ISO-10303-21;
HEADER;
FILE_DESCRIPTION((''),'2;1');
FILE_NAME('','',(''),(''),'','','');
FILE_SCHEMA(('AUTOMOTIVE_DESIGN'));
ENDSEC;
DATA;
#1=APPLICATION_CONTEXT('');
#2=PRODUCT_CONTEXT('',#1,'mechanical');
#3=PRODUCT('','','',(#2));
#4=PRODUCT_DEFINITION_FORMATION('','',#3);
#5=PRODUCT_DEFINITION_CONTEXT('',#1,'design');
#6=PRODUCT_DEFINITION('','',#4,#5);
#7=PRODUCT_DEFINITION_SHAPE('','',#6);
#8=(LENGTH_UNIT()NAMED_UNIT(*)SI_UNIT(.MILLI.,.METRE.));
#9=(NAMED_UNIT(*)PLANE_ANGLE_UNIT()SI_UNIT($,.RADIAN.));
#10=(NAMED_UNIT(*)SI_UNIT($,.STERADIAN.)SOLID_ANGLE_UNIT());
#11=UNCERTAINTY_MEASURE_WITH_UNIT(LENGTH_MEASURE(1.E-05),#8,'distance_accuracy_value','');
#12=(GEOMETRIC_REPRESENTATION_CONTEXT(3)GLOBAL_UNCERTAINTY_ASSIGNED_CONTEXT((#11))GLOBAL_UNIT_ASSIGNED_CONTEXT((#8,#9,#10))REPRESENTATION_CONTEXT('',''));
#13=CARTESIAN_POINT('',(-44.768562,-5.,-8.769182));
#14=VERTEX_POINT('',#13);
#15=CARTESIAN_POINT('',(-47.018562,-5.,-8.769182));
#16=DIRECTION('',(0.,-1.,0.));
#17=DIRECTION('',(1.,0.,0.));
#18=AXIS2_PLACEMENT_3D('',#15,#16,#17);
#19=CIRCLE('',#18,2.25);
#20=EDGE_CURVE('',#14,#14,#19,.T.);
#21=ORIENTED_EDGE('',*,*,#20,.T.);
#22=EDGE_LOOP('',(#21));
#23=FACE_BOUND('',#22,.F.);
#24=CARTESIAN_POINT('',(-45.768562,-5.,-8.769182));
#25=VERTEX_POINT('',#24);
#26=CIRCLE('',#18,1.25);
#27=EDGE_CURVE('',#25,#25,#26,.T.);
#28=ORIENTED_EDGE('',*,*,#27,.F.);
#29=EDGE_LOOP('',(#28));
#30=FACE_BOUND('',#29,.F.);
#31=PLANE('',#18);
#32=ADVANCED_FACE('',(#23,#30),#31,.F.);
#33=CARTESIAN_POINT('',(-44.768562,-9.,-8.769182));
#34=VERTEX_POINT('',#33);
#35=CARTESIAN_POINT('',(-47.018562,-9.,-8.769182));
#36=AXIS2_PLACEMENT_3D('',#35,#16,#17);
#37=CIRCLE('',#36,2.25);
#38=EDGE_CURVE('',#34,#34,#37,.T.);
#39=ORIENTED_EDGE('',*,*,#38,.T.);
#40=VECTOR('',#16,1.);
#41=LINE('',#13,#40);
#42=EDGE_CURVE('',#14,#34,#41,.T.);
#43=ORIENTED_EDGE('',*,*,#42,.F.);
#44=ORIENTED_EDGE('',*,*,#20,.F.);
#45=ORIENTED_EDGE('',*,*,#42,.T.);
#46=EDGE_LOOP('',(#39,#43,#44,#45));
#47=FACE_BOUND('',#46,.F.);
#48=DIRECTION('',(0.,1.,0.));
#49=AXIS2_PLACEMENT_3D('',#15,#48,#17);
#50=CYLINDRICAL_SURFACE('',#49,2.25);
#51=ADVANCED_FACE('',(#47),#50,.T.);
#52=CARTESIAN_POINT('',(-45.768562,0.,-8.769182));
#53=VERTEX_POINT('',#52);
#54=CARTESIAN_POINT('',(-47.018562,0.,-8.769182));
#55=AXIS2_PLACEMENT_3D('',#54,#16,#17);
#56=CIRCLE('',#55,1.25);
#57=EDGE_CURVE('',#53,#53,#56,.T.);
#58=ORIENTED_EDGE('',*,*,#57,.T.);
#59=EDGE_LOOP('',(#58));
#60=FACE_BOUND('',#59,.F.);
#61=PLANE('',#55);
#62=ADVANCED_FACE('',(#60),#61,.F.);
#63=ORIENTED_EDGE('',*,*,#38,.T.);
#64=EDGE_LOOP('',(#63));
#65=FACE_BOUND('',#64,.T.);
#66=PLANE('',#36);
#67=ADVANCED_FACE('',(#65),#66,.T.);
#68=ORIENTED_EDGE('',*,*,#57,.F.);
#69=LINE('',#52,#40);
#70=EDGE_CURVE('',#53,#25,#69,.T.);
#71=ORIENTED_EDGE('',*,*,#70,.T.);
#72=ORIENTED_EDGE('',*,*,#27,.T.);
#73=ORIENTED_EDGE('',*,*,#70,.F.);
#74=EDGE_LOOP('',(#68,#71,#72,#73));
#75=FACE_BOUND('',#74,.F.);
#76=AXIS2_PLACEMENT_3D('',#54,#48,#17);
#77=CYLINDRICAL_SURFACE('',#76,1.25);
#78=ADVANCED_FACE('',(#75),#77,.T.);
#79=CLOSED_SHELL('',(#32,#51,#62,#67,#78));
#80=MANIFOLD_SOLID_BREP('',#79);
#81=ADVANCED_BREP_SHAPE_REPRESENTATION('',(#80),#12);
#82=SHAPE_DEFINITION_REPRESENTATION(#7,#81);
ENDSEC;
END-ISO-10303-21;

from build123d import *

# Parameters (mm, degrees)
F0_R     = 1.25
F1_DEPTH = 5
F2_R     = 2.25
F2_R_2   = 1.25
F3_DEPTH = 4


with BuildPart() as f1:
    # F0 (on Front) → F1 (new body)
    with BuildSketch(Plane.XZ):
        with Locations((-47.0185615122, -8.7691824883)):
            Circle(F0_R)
    extrude(amount=F1_DEPTH)

    # F2 (on face) → F3 (join)
    with BuildSketch(Plane.XZ.offset(5)):
        with Locations((-47.0185615122, -8.7691824883)):
            Circle(F2_R)
        with Locations((-47.0185615122, -8.7691824883)):
            Circle(F2_R_2, mode=Mode.SUBTRACT)
        with Locations((-47.0185615122, -8.7691824883)):
            Circle(F2_R_2)
    extrude(amount=F3_DEPTH)


solid = f1.part
